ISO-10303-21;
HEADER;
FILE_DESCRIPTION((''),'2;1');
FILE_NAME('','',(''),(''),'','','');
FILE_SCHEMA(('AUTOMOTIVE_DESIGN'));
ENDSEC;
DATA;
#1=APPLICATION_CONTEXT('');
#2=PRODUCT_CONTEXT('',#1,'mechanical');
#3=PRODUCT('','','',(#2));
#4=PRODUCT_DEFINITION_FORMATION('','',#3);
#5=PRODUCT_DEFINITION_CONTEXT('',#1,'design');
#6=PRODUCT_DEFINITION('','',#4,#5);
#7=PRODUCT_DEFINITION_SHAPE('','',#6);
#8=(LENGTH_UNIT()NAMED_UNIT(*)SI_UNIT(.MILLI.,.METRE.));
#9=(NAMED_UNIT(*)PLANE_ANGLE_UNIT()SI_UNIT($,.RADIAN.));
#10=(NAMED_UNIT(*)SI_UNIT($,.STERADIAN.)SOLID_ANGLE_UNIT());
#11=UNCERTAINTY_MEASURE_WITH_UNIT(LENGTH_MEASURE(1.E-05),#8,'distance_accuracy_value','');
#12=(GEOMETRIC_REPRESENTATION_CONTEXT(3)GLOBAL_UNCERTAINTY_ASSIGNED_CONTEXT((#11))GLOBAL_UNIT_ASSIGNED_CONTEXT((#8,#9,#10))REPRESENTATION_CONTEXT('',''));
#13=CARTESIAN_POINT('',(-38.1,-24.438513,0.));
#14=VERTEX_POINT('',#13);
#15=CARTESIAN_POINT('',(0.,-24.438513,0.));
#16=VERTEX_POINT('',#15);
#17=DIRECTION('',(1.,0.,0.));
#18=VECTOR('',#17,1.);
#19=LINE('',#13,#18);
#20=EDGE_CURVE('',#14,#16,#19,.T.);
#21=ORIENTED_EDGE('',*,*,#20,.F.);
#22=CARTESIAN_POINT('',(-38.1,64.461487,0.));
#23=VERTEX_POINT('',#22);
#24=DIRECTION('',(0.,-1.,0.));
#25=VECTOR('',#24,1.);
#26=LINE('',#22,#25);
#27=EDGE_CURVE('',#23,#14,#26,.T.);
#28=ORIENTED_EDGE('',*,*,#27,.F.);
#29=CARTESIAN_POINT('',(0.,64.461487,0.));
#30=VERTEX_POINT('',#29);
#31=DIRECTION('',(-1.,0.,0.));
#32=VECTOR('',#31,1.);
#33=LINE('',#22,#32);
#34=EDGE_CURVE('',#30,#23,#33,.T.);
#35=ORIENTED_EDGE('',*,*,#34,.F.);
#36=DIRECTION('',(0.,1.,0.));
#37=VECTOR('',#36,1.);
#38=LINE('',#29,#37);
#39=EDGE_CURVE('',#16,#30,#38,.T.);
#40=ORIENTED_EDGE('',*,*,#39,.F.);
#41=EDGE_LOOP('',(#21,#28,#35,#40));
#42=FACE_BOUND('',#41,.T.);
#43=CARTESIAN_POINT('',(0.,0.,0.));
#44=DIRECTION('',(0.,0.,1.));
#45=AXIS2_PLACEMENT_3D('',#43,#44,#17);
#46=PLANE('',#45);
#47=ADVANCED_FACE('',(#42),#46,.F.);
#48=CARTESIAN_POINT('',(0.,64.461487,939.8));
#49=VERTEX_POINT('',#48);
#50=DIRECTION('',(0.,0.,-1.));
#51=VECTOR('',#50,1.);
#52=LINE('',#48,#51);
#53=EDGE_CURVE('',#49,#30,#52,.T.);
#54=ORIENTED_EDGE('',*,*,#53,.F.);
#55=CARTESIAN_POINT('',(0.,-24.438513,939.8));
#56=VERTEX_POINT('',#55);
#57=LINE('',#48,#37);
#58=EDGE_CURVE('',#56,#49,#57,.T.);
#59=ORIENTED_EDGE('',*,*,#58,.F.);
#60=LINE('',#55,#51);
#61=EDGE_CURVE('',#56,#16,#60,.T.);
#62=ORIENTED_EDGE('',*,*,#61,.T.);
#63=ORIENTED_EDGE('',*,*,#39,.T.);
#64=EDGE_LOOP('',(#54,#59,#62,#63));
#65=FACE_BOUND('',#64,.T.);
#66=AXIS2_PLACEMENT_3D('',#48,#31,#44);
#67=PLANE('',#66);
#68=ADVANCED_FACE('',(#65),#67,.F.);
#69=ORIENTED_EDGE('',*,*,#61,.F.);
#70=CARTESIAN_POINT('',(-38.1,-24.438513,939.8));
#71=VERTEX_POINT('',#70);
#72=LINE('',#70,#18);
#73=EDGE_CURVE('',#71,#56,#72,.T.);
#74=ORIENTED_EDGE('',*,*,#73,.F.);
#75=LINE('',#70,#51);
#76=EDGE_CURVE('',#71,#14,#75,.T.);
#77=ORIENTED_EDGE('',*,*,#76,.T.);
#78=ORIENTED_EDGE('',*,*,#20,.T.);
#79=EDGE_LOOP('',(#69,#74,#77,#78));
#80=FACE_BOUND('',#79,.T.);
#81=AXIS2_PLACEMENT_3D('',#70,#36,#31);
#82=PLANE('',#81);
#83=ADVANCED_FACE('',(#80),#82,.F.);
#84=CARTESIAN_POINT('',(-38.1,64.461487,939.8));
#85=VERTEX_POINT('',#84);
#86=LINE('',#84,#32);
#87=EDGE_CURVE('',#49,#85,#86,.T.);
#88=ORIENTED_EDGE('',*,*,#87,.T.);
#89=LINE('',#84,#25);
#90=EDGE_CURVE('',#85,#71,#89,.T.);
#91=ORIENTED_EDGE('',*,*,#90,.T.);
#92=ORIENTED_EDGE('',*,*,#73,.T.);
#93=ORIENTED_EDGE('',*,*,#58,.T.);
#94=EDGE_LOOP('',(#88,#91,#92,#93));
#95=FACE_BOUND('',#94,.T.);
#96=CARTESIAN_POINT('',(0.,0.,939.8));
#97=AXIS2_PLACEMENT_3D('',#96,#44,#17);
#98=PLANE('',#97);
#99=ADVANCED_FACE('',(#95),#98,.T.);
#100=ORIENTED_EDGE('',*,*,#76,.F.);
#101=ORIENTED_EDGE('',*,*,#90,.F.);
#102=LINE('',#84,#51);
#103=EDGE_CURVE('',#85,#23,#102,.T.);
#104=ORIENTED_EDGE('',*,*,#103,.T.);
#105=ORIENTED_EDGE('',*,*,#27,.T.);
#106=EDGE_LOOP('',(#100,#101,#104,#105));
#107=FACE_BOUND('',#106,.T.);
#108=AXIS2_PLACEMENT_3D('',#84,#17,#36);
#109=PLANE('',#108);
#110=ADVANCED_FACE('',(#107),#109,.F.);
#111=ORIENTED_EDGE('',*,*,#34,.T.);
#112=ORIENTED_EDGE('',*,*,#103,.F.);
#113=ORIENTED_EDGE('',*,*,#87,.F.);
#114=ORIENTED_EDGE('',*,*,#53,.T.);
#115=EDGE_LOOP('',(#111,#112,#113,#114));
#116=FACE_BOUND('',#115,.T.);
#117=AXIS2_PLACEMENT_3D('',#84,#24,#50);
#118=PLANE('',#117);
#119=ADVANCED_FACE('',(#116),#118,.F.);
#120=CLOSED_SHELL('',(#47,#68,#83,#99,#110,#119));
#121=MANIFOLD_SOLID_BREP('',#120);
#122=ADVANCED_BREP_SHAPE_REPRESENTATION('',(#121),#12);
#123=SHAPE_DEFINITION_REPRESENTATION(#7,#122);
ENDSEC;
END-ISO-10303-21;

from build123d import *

# Parameters (mm, degrees)
SKETCH1_W           = 38.1
SKETCH1_H           = 88.9
BOSS_EXTRUDE1_DEPTH = 939.8


with BuildPart() as part:
    # Sketch1 → Boss-Extrude1 (new body)
    with BuildSketch(Plane.XY):
        with Locations((-19.05, 20.011487482)):
            Rectangle(SKETCH1_W, SKETCH1_H)
    extrude(amount=BOSS_EXTRUDE1_DEPTH)


solid = part.part
